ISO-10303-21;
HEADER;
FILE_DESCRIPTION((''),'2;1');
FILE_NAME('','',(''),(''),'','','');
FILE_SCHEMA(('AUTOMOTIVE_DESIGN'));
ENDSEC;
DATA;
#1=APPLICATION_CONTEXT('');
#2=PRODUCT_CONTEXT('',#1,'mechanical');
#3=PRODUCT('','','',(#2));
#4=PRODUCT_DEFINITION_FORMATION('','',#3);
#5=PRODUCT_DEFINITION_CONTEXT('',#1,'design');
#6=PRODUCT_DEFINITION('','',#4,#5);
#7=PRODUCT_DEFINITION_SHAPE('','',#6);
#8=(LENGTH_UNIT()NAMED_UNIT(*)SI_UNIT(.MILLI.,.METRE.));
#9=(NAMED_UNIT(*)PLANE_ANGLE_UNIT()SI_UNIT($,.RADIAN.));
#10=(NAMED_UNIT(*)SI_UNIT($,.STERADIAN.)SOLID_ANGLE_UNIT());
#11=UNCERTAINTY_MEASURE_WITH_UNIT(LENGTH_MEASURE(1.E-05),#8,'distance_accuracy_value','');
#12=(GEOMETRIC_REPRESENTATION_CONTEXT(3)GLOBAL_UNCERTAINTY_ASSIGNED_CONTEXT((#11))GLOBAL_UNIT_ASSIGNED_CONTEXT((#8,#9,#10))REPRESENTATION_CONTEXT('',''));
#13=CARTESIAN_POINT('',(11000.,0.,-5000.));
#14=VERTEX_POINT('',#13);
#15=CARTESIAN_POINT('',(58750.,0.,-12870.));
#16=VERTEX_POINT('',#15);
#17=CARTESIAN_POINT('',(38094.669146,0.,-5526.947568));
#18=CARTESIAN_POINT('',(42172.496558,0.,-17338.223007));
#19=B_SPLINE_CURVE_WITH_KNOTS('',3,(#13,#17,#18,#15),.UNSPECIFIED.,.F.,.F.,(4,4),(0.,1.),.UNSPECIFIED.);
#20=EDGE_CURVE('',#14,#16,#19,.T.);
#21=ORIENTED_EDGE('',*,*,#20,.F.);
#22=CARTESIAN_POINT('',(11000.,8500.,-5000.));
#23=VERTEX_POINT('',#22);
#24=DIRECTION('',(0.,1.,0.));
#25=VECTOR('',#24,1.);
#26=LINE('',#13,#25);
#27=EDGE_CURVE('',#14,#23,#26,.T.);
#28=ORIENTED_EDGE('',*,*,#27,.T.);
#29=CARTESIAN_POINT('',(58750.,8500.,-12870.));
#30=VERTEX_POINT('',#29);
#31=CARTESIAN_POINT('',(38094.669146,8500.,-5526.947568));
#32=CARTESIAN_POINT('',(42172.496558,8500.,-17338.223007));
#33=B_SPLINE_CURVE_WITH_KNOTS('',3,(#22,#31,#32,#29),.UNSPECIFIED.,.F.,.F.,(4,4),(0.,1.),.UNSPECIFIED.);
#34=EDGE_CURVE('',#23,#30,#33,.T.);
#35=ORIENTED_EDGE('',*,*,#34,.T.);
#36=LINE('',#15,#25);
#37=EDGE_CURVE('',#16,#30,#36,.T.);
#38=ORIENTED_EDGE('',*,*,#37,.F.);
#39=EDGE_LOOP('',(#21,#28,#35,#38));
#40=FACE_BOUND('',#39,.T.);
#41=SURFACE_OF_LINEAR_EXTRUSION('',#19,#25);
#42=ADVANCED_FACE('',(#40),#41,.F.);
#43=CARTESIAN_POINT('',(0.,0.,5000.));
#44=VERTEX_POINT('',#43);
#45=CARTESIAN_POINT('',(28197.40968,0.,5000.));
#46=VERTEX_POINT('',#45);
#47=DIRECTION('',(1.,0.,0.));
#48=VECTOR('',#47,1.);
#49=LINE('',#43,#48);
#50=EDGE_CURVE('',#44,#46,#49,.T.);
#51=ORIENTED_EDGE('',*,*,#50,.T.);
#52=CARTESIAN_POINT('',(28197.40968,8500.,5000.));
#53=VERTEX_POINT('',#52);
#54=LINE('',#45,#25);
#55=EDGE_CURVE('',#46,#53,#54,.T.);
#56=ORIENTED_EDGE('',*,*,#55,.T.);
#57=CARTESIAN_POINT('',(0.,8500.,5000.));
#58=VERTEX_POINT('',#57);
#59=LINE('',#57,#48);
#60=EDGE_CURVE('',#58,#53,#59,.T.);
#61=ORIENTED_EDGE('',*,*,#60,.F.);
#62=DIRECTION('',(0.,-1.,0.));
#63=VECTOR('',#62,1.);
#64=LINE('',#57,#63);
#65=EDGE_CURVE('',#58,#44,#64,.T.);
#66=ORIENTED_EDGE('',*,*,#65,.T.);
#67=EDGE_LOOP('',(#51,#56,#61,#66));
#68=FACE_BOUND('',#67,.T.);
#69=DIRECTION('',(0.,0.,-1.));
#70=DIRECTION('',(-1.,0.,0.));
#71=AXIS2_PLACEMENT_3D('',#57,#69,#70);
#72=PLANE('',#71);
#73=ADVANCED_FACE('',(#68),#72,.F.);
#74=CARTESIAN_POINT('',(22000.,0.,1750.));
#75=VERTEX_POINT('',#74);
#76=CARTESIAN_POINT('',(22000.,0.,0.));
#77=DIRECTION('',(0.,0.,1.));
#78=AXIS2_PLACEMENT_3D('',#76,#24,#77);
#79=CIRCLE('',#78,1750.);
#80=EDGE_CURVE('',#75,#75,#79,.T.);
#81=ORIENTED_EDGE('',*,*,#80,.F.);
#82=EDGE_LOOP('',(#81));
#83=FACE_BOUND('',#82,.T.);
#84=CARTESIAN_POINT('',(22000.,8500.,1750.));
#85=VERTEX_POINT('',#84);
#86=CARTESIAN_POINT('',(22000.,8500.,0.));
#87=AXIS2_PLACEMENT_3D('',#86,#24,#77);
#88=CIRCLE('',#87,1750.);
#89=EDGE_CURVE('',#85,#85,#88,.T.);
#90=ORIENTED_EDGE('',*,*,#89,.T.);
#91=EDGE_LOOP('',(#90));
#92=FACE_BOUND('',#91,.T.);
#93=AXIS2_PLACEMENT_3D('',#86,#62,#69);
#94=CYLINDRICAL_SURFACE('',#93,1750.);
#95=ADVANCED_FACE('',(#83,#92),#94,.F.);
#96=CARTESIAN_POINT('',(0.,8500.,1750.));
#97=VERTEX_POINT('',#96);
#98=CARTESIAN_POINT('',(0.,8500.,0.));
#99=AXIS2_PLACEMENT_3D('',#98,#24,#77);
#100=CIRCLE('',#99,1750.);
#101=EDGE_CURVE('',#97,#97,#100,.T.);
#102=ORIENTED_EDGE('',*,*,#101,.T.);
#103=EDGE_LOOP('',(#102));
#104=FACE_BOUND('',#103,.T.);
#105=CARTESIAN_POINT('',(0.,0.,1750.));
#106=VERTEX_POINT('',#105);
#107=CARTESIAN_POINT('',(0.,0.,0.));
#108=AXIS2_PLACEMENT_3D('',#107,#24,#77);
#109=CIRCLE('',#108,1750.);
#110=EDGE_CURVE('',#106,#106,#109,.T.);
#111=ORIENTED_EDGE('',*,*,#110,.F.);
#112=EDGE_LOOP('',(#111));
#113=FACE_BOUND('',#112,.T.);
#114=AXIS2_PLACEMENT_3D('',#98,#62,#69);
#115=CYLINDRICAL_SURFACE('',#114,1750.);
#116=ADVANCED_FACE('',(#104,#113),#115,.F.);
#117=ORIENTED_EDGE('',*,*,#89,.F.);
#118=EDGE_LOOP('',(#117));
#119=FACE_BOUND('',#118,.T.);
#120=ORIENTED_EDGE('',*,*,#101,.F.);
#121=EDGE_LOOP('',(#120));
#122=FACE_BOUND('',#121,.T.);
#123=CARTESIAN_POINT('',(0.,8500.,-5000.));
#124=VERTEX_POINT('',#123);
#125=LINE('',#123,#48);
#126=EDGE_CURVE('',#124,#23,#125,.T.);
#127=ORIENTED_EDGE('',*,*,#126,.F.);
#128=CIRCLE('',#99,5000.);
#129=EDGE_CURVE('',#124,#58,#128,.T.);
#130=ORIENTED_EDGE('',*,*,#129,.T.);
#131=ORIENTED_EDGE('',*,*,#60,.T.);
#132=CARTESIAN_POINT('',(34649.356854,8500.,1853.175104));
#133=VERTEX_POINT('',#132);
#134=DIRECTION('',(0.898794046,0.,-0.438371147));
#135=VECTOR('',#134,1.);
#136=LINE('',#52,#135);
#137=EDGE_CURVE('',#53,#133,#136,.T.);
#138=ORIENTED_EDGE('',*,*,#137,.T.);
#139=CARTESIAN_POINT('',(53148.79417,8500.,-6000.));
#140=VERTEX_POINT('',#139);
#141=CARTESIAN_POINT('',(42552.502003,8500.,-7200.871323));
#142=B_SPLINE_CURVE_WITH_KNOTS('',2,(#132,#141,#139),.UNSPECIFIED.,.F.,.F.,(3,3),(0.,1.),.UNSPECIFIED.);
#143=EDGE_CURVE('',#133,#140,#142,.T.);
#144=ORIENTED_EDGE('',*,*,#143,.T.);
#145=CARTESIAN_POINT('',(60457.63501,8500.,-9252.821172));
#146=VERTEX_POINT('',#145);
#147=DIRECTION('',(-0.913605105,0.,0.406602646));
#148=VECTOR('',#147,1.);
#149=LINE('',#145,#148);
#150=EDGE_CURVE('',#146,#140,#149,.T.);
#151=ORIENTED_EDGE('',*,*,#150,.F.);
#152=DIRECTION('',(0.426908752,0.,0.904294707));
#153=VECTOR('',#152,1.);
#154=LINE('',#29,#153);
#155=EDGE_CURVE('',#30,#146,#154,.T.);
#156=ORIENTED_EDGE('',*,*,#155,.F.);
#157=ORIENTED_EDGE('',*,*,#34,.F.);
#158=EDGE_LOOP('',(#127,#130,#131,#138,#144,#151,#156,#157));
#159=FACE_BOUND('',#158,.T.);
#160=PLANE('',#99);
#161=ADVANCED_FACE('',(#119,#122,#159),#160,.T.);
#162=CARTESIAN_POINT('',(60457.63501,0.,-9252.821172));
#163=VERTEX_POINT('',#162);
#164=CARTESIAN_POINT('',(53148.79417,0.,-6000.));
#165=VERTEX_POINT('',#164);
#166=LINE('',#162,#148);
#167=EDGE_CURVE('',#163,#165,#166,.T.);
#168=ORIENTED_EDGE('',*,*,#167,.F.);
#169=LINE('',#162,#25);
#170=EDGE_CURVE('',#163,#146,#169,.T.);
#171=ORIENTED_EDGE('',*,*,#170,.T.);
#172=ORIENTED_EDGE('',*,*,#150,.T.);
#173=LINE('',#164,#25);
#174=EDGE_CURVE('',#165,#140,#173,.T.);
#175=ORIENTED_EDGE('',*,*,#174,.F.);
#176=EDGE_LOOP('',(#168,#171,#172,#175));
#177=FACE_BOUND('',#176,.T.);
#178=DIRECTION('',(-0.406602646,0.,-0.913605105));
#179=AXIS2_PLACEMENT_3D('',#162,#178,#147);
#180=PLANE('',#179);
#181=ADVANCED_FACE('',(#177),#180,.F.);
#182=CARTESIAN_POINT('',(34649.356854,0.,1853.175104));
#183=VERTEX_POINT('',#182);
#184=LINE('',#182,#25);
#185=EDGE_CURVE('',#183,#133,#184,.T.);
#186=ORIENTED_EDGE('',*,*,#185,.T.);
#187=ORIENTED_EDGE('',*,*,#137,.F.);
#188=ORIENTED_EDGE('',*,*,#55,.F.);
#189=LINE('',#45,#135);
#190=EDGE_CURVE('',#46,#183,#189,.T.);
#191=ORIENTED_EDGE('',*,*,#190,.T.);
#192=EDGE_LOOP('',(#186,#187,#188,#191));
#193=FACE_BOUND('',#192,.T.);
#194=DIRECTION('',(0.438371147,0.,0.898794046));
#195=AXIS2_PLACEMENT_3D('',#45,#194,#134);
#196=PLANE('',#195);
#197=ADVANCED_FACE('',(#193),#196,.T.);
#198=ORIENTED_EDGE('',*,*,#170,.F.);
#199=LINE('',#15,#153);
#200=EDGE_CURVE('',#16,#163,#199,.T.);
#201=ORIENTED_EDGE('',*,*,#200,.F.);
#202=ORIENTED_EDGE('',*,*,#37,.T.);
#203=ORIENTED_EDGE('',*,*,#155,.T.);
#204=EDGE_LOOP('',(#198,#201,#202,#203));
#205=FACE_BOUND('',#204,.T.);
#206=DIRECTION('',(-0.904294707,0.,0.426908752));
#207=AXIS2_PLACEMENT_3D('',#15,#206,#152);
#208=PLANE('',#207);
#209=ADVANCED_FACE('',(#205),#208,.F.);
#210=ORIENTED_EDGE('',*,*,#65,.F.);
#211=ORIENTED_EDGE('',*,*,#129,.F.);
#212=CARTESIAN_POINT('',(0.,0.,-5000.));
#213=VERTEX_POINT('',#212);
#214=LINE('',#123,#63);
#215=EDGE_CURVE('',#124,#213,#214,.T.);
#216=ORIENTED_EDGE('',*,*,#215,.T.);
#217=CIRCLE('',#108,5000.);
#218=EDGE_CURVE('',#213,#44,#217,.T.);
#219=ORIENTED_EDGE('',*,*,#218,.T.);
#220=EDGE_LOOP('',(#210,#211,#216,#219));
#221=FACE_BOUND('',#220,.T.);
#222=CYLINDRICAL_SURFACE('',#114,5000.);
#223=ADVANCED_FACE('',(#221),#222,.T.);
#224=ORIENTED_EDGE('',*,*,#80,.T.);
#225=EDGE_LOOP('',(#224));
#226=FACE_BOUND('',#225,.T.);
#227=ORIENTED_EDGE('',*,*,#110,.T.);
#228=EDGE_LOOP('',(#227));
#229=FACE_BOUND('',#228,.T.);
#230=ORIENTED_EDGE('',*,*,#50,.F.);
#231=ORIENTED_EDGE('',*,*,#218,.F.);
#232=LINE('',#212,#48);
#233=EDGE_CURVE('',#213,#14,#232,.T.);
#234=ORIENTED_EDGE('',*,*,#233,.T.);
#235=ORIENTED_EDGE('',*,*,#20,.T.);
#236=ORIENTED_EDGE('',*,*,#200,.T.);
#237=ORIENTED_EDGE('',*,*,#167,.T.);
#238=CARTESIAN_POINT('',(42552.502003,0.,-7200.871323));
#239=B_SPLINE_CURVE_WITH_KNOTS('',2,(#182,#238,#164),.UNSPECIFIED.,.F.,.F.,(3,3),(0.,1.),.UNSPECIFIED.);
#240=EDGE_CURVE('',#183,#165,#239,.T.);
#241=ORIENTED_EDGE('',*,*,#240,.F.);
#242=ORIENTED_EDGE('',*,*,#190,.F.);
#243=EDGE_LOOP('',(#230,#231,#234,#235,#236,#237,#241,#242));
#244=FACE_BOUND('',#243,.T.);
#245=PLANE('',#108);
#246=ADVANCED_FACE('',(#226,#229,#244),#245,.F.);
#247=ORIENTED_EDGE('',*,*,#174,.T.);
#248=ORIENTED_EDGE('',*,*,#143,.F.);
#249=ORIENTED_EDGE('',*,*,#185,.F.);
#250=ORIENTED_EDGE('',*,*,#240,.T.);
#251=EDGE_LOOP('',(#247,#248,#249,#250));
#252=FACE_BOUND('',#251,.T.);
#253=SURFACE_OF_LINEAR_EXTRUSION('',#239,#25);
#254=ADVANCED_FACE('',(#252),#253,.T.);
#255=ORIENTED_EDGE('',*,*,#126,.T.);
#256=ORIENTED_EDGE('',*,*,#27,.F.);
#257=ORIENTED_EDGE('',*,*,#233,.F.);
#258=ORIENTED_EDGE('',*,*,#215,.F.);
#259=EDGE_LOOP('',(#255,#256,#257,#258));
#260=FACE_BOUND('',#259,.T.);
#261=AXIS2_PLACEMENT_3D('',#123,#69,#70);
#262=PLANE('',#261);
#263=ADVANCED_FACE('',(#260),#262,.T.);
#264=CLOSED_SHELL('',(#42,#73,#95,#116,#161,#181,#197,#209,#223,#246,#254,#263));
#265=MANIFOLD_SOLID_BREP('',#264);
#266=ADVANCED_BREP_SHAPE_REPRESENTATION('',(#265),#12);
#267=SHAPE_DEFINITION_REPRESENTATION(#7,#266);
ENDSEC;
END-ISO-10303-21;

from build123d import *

# Parameters (mm, degrees)
SKETCH1_R           = 5000
SKETCH1_R_2         = 1750
BOSS_EXTRUDE1_DEPTH = 8500
BOSS_EXTRUDE2_DEPTH = 8500


with BuildPart() as part:
    # Sketch1 → Boss-Extrude1 (new body)
    with BuildSketch(Plane(origin=(0, 0, 0), x_dir=(1, 0, 0), z_dir=(0, 1, 0))):
        Circle(SKETCH1_R)
        Circle(SKETCH1_R_2, mode=Mode.SUBTRACT)
        with BuildLine():
            Line((22000, 5000), (-4.2951e-05, 5000))
            ThreePointArc((-4.2951e-05, 5000), (3535.533890747, 3535.533921118), (5000, 0))
            ThreePointArc((5000, 0), (3535.533905933, -3535.533905933), (0, -5000))
            Line((0, -5000), (22000, -5000))
            ThreePointArc((22000, -5000), (17000, 0), (22000, 5000))
        make_face()
        with Locations((22000, 0)):
            Circle(SKETCH1_R)
        with Locations((22000, 0)):
            Circle(SKETCH1_R_2, mode=Mode.SUBTRACT)
    extrude(amount=BOSS_EXTRUDE1_DEPTH)

    # Sketch2 → Boss-Extrude2 (add)
    with BuildSketch(Plane(origin=(0, 8500, 0), x_dir=(1, 0, 0), z_dir=(0, 1, 0))):
        with BuildLine():
            Line((22000, -5000), (28197.409679947, -5000))
            Line((28197.409679947, -5000), (34649.356853801, -1853.175103606))
            add(Edge.make_bspline(
                [(34649.356853801, -1853.175103606), (42552.502002918, 7200.871322652), (53148.794169675, 6000)],
                knots=[0, 0, 0, 1, 1, 1], degree=2))
            Line((53148.794169675, 6000), (60457.635009592, 9252.821171961))
            Line((60457.635009592, 9252.821171961), (58750, 12870))
            add(Edge.make_bspline(
                [(11000, 5000), (38094.669145956, 5526.947568374), (42172.496557994, 17338.223006618), (58750, 12870)],
                knots=[0, 0, 0, 0, 1, 1, 1, 1], degree=3))
            Line((11000, 5000), (22000, 5000))
            ThreePointArc((22000, 5000), (27000, 0), (22000, -5000))
        make_face()
    extrude(amount=-BOSS_EXTRUDE2_DEPTH)


solid = part.part
